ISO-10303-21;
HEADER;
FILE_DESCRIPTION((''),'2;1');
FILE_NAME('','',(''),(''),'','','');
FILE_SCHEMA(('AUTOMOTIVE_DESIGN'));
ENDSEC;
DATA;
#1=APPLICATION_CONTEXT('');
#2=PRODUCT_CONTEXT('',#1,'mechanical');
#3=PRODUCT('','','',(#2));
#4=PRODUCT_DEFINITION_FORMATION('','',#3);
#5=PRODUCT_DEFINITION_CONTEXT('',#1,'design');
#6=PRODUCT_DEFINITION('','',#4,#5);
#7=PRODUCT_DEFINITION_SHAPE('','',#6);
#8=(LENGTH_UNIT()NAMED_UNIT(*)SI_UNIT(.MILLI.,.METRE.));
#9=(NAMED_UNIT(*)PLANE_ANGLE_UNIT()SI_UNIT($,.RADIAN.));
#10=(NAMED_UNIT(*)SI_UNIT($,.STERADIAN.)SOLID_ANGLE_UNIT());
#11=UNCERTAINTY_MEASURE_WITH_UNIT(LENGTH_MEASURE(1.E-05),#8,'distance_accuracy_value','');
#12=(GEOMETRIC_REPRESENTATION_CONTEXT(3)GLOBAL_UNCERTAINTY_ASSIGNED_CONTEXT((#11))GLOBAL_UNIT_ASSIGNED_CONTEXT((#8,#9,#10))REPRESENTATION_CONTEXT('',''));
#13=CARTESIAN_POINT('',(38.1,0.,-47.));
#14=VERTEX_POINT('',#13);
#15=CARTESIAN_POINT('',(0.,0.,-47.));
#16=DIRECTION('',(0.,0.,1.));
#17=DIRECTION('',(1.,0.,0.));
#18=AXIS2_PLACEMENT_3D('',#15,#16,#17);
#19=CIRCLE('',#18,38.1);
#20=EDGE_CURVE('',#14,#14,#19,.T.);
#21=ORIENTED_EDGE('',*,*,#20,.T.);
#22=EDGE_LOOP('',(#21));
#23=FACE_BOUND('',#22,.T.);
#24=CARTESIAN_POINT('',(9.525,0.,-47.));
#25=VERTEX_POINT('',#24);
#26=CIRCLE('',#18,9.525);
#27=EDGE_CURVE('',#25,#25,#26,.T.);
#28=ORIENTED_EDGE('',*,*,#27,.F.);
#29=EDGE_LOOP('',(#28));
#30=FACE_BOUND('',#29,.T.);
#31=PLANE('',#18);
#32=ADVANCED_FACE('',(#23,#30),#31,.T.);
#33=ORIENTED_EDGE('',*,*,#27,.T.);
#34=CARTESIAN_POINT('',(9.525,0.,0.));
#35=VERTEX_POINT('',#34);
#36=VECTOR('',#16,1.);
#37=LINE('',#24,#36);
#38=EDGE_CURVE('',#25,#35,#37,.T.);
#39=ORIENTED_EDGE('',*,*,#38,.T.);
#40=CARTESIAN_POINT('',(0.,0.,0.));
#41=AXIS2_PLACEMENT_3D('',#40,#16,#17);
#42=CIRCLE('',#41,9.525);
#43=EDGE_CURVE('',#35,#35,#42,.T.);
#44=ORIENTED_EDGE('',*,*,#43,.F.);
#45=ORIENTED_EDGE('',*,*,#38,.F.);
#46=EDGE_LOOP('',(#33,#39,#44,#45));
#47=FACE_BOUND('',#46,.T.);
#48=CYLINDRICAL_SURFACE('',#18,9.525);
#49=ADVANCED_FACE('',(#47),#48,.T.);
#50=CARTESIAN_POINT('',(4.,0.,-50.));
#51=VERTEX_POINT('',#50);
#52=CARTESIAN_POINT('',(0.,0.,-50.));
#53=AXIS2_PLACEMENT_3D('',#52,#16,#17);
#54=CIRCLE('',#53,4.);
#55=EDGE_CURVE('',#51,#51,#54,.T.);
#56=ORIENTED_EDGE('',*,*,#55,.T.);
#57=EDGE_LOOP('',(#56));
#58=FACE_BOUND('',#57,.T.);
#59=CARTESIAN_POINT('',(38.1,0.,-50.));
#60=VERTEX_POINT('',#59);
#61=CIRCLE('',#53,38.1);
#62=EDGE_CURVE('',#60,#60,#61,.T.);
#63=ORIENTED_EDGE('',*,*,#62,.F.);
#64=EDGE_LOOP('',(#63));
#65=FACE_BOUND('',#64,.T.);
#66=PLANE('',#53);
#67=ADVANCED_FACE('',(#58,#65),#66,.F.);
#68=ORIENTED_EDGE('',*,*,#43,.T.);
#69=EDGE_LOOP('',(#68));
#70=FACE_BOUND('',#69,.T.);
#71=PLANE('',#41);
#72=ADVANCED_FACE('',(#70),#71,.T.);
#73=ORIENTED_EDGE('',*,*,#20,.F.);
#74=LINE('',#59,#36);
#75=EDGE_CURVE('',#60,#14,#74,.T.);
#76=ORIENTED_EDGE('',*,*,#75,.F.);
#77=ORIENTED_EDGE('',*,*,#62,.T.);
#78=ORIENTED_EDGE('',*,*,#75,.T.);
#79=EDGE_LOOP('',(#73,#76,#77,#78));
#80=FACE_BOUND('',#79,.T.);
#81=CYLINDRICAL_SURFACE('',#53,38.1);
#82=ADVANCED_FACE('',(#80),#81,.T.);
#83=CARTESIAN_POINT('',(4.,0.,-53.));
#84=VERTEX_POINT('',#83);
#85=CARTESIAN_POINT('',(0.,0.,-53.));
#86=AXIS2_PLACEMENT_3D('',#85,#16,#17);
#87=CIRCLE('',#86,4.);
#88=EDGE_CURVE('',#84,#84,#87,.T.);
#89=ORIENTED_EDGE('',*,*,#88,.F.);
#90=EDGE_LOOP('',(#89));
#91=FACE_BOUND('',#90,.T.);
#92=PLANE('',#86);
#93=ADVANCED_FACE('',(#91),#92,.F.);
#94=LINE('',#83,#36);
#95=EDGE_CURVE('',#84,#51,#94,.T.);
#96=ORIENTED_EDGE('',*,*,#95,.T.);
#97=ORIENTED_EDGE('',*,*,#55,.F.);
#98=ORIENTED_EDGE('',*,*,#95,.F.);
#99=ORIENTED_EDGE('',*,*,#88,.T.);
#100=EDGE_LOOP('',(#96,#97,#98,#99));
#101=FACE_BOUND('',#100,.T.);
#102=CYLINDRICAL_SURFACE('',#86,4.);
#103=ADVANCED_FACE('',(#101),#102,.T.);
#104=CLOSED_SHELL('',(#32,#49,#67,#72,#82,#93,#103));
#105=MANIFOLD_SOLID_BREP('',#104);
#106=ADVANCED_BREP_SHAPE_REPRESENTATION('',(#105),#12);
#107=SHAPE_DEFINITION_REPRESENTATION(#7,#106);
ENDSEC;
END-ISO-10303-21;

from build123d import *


with BuildPart() as part:
    # Sketch → Revolution (revolve)
    with BuildSketch(Plane.XZ):
        Polygon((0, 0), (0, -53), (4, -53), (4, -50), (38.1, -50), (38.1, -47), (9.525, -47), (9.525, 0), align=None)
    revolve(axis=Axis((0, 0, 0), (0, 0, 1)))


solid = part.part
